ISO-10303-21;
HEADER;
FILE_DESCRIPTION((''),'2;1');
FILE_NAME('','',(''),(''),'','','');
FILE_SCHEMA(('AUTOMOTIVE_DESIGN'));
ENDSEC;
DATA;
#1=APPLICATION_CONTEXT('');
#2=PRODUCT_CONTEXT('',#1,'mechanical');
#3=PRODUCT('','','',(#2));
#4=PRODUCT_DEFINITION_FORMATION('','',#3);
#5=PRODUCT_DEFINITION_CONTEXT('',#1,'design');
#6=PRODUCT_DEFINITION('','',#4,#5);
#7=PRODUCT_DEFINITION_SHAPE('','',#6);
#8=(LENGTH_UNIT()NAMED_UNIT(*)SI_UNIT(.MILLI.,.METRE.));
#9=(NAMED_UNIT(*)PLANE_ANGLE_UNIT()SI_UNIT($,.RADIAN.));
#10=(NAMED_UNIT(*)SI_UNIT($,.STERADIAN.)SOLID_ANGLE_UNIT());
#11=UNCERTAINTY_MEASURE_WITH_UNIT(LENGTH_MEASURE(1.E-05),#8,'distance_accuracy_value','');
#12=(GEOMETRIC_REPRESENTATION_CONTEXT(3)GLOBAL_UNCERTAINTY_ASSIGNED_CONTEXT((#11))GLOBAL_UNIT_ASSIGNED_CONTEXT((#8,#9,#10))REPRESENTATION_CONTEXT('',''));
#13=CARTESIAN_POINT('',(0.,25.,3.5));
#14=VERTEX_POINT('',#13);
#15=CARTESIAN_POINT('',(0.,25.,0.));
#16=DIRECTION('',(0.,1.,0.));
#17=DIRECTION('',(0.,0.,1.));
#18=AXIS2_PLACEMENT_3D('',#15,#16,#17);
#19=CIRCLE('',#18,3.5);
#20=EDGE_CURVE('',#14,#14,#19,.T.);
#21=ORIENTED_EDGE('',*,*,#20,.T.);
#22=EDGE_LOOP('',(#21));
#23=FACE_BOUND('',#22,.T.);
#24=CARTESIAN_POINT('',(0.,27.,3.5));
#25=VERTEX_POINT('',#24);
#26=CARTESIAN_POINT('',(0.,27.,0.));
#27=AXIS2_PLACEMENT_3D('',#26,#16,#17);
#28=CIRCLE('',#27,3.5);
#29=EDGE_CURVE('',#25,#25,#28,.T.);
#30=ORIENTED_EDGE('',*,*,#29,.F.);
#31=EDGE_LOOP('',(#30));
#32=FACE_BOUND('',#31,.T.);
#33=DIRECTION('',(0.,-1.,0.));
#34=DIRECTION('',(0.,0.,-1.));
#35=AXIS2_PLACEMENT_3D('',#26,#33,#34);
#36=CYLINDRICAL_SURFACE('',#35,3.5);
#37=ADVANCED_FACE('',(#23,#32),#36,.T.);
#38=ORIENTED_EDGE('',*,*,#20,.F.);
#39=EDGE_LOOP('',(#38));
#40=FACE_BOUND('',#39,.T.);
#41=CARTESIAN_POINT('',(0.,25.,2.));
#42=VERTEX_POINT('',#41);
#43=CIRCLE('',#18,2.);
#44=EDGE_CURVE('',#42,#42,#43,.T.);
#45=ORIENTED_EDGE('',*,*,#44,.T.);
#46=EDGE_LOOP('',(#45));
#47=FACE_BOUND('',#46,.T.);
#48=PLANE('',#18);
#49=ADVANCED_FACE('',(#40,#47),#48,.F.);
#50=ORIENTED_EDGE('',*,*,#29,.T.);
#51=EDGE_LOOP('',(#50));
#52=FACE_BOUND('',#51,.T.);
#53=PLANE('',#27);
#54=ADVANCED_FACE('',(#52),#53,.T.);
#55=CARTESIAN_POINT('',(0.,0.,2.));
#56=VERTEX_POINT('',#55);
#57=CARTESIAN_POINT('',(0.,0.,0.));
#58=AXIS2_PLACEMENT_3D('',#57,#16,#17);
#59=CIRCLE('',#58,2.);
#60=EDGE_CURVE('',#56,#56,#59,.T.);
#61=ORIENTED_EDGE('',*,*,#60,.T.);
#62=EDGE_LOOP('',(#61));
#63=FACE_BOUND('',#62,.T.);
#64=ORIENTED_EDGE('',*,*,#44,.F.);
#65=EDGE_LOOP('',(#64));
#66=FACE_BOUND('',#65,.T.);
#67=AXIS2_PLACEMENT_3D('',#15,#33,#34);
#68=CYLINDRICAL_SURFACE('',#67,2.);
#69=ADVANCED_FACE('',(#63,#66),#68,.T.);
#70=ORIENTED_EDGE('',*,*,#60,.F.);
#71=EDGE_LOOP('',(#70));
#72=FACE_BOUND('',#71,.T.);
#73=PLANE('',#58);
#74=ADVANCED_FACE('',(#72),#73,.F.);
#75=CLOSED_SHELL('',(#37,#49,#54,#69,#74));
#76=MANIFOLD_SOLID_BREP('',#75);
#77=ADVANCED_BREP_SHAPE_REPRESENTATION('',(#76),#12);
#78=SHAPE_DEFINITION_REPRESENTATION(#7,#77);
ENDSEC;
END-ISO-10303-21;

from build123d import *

# Parameters (mm, degrees)
ESQUISSE1_R      = 2
EXTRUSION1_DEPTH = 25
ESQUISSE2_R      = 3.5
EXTRUSION2_DEPTH = 2


with BuildPart() as part:
    # Esquisse1 → Extrusion1 (new body)
    with BuildSketch(Plane(origin=(0, 0, 0), x_dir=(1, 0, 0), z_dir=(0, 1, 0))):
        with Locations(Location((0, 0, 0), (0, 0, 270))):
            Circle(ESQUISSE1_R)
    extrude(amount=EXTRUSION1_DEPTH)

    # Esquisse2 → Extrusion2 (add)
    with BuildSketch(Plane(origin=(0, 25, 0), x_dir=(1, 0, 0), z_dir=(0, 1, 0))):
        with Locations(Location((0, 0, 0), (0, 0, 270))):
            Circle(ESQUISSE2_R)
    extrude(amount=EXTRUSION2_DEPTH)


solid = part.part
